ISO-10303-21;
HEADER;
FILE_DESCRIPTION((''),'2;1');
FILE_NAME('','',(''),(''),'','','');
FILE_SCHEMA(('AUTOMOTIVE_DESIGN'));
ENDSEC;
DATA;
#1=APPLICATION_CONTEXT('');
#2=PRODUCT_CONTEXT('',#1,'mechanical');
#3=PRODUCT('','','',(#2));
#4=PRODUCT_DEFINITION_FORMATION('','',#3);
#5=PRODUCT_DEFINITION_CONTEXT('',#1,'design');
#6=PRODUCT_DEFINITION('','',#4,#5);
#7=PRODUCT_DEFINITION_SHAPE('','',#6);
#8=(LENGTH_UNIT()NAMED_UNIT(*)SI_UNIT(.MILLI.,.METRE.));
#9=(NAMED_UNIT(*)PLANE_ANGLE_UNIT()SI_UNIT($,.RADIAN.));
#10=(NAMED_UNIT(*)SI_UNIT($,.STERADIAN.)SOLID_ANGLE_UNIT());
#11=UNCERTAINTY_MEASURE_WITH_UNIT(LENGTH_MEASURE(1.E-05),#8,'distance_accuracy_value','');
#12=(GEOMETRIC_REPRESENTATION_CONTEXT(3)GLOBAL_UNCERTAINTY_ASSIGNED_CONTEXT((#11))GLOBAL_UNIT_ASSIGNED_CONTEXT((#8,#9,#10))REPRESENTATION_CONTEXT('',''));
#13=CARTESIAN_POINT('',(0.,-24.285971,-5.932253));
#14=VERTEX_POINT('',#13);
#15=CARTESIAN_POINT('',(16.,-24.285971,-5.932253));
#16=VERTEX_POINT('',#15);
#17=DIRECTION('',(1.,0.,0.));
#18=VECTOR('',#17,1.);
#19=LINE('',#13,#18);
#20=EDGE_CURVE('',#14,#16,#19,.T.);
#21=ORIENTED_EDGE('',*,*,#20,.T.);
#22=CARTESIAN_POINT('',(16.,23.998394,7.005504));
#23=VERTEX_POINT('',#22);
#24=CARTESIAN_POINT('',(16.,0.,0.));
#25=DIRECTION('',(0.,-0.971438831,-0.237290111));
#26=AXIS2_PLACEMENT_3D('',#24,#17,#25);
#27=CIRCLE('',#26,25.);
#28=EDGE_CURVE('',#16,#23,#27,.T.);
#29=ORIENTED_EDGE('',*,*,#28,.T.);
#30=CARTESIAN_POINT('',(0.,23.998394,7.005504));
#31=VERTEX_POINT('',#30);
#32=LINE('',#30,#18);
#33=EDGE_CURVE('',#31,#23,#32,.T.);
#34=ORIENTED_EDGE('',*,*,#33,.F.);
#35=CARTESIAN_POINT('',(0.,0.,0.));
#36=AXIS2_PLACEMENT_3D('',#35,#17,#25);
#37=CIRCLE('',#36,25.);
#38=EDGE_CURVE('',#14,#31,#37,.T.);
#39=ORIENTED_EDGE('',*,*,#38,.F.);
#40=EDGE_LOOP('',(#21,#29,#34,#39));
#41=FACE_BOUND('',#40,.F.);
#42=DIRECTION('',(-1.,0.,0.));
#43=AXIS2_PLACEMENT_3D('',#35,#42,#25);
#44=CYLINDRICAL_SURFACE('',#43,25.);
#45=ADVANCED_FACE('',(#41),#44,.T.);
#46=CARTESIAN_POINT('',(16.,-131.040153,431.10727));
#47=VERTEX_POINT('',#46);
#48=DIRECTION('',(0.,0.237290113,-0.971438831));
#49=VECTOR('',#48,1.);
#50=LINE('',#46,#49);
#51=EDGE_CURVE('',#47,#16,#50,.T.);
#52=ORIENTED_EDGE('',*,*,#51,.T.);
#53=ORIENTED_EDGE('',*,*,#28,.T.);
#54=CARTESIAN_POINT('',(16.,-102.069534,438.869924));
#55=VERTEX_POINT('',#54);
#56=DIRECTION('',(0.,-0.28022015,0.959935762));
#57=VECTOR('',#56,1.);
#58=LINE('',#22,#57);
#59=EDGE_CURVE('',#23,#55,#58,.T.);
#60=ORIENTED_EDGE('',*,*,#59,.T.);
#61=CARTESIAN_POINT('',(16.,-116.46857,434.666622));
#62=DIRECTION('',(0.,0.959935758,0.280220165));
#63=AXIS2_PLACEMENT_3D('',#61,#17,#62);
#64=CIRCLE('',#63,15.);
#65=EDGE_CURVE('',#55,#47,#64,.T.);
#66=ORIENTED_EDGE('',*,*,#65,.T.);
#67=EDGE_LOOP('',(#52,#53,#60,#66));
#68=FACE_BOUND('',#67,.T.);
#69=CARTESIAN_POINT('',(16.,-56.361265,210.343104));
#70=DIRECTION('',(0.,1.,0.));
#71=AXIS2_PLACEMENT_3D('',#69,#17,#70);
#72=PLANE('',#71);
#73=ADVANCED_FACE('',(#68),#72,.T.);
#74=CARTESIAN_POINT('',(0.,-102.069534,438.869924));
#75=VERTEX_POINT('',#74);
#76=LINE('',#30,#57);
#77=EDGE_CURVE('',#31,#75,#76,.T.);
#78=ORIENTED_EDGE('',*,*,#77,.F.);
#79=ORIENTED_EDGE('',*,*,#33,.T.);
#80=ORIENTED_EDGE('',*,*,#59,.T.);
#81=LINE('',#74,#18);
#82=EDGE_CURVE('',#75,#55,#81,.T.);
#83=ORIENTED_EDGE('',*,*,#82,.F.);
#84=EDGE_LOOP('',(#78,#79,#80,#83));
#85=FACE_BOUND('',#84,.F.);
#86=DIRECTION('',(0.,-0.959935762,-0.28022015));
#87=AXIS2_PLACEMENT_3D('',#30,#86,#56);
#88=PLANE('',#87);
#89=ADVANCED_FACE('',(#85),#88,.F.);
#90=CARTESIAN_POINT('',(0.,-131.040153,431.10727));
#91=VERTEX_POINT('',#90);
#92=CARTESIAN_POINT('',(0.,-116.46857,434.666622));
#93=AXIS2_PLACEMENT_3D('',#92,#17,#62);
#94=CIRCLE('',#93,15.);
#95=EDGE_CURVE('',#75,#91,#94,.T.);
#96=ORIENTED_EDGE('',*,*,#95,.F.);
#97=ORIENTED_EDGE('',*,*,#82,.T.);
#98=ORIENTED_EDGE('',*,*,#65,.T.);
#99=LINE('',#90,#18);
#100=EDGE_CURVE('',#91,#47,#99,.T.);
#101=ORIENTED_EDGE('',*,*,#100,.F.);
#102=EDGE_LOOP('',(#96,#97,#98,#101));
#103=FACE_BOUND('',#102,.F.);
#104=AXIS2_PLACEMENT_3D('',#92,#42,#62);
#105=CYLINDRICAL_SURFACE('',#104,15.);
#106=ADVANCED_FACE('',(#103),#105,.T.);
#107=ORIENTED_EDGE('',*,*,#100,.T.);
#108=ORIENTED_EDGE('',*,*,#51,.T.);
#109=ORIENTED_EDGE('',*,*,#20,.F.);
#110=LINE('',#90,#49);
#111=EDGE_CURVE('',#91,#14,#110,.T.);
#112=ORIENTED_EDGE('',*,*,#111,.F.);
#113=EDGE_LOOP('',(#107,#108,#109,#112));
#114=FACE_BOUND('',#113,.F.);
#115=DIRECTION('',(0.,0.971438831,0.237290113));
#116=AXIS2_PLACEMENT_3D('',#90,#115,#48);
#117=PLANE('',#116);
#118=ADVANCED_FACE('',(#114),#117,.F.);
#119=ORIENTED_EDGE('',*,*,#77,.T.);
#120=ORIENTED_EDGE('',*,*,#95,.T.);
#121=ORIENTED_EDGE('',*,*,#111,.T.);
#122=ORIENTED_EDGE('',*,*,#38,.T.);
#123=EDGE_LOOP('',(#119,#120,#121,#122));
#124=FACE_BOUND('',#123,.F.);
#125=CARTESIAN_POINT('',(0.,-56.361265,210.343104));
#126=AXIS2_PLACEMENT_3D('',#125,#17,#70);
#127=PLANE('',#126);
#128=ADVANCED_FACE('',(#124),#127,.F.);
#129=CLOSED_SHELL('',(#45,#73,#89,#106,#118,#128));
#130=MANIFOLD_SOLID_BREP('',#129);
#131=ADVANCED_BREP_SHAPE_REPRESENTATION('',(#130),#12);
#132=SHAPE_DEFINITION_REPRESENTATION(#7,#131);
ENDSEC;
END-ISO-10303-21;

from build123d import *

# Parameters (mm, degrees)
F1_DEPTH = 16


with BuildPart() as f1:
    # F0 (on Right) → F1 (new body)
    with BuildSketch(Plane.YZ):
        with BuildLine():
            Line((23.998394, 7.005504), (-102.069534, 438.869924))
            ThreePointArc((-102.069534, 438.869924), (-120.350856, 449.155509), (-131.040153, 431.10727))
            Line((-131.040153, 431.10727), (-24.285971, -5.932253))
            ThreePointArc((-24.285971, -5.932253), (6.470476, -24.148146), (23.998394, 7.005504))
        make_face()
    extrude(amount=F1_DEPTH)


solid = f1.part
